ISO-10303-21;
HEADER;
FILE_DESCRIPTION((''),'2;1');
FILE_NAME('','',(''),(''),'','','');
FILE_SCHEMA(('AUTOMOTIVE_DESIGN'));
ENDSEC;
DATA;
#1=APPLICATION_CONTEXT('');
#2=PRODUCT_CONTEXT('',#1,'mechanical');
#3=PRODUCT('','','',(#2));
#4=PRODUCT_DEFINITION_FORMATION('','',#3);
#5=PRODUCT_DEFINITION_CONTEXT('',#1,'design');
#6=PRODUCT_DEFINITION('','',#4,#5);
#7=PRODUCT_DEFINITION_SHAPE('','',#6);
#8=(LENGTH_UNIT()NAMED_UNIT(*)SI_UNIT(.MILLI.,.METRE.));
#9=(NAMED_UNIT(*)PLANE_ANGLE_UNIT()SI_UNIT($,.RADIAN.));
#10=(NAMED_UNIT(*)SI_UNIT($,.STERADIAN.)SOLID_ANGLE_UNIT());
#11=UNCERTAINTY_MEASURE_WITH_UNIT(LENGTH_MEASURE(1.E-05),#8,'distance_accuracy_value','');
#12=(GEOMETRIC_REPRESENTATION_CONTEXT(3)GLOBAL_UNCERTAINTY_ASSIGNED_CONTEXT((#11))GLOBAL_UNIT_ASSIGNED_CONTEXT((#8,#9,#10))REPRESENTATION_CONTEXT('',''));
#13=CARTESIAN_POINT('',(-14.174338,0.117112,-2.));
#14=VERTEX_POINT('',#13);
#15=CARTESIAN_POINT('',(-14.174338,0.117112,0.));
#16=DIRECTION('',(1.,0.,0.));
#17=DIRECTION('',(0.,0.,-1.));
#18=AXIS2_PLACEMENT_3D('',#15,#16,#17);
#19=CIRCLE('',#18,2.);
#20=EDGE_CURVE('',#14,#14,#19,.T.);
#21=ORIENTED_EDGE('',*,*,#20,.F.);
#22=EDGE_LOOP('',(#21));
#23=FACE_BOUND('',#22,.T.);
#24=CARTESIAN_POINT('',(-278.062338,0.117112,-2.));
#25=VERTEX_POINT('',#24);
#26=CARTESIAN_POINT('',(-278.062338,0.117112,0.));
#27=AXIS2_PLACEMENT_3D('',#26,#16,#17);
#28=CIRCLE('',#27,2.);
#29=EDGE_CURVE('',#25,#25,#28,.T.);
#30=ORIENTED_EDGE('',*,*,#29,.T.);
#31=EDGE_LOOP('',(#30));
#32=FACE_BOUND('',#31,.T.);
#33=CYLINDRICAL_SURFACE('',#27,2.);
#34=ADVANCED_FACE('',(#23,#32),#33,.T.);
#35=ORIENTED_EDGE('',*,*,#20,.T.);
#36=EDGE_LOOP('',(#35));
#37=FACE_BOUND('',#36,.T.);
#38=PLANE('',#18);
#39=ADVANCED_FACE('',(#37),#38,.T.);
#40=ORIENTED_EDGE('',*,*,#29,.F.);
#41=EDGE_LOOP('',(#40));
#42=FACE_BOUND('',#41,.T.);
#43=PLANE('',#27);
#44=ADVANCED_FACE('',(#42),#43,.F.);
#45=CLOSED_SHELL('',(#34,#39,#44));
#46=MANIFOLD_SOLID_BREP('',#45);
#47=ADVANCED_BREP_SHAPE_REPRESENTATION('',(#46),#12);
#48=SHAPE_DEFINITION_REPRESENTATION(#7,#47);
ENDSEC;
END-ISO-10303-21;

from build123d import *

# Parameters (mm, degrees)
BOSS_EXTRUDE1_START = -14.174338
SKETCH2_R           = 2
BOSS_EXTRUDE1_DEPTH = 263.888


with BuildPart() as part:
    # Sketch2 → Boss-Extrude1 (new body)
    with BuildSketch(Plane(origin=(0, 0, 0), x_dir=(0, 0, -1), z_dir=(1, 0, 0)).offset(BOSS_EXTRUDE1_START)):
        with Locations((0, 0.117111756)):
            Circle(SKETCH2_R)
    extrude(amount=-BOSS_EXTRUDE1_DEPTH)


solid = part.part
